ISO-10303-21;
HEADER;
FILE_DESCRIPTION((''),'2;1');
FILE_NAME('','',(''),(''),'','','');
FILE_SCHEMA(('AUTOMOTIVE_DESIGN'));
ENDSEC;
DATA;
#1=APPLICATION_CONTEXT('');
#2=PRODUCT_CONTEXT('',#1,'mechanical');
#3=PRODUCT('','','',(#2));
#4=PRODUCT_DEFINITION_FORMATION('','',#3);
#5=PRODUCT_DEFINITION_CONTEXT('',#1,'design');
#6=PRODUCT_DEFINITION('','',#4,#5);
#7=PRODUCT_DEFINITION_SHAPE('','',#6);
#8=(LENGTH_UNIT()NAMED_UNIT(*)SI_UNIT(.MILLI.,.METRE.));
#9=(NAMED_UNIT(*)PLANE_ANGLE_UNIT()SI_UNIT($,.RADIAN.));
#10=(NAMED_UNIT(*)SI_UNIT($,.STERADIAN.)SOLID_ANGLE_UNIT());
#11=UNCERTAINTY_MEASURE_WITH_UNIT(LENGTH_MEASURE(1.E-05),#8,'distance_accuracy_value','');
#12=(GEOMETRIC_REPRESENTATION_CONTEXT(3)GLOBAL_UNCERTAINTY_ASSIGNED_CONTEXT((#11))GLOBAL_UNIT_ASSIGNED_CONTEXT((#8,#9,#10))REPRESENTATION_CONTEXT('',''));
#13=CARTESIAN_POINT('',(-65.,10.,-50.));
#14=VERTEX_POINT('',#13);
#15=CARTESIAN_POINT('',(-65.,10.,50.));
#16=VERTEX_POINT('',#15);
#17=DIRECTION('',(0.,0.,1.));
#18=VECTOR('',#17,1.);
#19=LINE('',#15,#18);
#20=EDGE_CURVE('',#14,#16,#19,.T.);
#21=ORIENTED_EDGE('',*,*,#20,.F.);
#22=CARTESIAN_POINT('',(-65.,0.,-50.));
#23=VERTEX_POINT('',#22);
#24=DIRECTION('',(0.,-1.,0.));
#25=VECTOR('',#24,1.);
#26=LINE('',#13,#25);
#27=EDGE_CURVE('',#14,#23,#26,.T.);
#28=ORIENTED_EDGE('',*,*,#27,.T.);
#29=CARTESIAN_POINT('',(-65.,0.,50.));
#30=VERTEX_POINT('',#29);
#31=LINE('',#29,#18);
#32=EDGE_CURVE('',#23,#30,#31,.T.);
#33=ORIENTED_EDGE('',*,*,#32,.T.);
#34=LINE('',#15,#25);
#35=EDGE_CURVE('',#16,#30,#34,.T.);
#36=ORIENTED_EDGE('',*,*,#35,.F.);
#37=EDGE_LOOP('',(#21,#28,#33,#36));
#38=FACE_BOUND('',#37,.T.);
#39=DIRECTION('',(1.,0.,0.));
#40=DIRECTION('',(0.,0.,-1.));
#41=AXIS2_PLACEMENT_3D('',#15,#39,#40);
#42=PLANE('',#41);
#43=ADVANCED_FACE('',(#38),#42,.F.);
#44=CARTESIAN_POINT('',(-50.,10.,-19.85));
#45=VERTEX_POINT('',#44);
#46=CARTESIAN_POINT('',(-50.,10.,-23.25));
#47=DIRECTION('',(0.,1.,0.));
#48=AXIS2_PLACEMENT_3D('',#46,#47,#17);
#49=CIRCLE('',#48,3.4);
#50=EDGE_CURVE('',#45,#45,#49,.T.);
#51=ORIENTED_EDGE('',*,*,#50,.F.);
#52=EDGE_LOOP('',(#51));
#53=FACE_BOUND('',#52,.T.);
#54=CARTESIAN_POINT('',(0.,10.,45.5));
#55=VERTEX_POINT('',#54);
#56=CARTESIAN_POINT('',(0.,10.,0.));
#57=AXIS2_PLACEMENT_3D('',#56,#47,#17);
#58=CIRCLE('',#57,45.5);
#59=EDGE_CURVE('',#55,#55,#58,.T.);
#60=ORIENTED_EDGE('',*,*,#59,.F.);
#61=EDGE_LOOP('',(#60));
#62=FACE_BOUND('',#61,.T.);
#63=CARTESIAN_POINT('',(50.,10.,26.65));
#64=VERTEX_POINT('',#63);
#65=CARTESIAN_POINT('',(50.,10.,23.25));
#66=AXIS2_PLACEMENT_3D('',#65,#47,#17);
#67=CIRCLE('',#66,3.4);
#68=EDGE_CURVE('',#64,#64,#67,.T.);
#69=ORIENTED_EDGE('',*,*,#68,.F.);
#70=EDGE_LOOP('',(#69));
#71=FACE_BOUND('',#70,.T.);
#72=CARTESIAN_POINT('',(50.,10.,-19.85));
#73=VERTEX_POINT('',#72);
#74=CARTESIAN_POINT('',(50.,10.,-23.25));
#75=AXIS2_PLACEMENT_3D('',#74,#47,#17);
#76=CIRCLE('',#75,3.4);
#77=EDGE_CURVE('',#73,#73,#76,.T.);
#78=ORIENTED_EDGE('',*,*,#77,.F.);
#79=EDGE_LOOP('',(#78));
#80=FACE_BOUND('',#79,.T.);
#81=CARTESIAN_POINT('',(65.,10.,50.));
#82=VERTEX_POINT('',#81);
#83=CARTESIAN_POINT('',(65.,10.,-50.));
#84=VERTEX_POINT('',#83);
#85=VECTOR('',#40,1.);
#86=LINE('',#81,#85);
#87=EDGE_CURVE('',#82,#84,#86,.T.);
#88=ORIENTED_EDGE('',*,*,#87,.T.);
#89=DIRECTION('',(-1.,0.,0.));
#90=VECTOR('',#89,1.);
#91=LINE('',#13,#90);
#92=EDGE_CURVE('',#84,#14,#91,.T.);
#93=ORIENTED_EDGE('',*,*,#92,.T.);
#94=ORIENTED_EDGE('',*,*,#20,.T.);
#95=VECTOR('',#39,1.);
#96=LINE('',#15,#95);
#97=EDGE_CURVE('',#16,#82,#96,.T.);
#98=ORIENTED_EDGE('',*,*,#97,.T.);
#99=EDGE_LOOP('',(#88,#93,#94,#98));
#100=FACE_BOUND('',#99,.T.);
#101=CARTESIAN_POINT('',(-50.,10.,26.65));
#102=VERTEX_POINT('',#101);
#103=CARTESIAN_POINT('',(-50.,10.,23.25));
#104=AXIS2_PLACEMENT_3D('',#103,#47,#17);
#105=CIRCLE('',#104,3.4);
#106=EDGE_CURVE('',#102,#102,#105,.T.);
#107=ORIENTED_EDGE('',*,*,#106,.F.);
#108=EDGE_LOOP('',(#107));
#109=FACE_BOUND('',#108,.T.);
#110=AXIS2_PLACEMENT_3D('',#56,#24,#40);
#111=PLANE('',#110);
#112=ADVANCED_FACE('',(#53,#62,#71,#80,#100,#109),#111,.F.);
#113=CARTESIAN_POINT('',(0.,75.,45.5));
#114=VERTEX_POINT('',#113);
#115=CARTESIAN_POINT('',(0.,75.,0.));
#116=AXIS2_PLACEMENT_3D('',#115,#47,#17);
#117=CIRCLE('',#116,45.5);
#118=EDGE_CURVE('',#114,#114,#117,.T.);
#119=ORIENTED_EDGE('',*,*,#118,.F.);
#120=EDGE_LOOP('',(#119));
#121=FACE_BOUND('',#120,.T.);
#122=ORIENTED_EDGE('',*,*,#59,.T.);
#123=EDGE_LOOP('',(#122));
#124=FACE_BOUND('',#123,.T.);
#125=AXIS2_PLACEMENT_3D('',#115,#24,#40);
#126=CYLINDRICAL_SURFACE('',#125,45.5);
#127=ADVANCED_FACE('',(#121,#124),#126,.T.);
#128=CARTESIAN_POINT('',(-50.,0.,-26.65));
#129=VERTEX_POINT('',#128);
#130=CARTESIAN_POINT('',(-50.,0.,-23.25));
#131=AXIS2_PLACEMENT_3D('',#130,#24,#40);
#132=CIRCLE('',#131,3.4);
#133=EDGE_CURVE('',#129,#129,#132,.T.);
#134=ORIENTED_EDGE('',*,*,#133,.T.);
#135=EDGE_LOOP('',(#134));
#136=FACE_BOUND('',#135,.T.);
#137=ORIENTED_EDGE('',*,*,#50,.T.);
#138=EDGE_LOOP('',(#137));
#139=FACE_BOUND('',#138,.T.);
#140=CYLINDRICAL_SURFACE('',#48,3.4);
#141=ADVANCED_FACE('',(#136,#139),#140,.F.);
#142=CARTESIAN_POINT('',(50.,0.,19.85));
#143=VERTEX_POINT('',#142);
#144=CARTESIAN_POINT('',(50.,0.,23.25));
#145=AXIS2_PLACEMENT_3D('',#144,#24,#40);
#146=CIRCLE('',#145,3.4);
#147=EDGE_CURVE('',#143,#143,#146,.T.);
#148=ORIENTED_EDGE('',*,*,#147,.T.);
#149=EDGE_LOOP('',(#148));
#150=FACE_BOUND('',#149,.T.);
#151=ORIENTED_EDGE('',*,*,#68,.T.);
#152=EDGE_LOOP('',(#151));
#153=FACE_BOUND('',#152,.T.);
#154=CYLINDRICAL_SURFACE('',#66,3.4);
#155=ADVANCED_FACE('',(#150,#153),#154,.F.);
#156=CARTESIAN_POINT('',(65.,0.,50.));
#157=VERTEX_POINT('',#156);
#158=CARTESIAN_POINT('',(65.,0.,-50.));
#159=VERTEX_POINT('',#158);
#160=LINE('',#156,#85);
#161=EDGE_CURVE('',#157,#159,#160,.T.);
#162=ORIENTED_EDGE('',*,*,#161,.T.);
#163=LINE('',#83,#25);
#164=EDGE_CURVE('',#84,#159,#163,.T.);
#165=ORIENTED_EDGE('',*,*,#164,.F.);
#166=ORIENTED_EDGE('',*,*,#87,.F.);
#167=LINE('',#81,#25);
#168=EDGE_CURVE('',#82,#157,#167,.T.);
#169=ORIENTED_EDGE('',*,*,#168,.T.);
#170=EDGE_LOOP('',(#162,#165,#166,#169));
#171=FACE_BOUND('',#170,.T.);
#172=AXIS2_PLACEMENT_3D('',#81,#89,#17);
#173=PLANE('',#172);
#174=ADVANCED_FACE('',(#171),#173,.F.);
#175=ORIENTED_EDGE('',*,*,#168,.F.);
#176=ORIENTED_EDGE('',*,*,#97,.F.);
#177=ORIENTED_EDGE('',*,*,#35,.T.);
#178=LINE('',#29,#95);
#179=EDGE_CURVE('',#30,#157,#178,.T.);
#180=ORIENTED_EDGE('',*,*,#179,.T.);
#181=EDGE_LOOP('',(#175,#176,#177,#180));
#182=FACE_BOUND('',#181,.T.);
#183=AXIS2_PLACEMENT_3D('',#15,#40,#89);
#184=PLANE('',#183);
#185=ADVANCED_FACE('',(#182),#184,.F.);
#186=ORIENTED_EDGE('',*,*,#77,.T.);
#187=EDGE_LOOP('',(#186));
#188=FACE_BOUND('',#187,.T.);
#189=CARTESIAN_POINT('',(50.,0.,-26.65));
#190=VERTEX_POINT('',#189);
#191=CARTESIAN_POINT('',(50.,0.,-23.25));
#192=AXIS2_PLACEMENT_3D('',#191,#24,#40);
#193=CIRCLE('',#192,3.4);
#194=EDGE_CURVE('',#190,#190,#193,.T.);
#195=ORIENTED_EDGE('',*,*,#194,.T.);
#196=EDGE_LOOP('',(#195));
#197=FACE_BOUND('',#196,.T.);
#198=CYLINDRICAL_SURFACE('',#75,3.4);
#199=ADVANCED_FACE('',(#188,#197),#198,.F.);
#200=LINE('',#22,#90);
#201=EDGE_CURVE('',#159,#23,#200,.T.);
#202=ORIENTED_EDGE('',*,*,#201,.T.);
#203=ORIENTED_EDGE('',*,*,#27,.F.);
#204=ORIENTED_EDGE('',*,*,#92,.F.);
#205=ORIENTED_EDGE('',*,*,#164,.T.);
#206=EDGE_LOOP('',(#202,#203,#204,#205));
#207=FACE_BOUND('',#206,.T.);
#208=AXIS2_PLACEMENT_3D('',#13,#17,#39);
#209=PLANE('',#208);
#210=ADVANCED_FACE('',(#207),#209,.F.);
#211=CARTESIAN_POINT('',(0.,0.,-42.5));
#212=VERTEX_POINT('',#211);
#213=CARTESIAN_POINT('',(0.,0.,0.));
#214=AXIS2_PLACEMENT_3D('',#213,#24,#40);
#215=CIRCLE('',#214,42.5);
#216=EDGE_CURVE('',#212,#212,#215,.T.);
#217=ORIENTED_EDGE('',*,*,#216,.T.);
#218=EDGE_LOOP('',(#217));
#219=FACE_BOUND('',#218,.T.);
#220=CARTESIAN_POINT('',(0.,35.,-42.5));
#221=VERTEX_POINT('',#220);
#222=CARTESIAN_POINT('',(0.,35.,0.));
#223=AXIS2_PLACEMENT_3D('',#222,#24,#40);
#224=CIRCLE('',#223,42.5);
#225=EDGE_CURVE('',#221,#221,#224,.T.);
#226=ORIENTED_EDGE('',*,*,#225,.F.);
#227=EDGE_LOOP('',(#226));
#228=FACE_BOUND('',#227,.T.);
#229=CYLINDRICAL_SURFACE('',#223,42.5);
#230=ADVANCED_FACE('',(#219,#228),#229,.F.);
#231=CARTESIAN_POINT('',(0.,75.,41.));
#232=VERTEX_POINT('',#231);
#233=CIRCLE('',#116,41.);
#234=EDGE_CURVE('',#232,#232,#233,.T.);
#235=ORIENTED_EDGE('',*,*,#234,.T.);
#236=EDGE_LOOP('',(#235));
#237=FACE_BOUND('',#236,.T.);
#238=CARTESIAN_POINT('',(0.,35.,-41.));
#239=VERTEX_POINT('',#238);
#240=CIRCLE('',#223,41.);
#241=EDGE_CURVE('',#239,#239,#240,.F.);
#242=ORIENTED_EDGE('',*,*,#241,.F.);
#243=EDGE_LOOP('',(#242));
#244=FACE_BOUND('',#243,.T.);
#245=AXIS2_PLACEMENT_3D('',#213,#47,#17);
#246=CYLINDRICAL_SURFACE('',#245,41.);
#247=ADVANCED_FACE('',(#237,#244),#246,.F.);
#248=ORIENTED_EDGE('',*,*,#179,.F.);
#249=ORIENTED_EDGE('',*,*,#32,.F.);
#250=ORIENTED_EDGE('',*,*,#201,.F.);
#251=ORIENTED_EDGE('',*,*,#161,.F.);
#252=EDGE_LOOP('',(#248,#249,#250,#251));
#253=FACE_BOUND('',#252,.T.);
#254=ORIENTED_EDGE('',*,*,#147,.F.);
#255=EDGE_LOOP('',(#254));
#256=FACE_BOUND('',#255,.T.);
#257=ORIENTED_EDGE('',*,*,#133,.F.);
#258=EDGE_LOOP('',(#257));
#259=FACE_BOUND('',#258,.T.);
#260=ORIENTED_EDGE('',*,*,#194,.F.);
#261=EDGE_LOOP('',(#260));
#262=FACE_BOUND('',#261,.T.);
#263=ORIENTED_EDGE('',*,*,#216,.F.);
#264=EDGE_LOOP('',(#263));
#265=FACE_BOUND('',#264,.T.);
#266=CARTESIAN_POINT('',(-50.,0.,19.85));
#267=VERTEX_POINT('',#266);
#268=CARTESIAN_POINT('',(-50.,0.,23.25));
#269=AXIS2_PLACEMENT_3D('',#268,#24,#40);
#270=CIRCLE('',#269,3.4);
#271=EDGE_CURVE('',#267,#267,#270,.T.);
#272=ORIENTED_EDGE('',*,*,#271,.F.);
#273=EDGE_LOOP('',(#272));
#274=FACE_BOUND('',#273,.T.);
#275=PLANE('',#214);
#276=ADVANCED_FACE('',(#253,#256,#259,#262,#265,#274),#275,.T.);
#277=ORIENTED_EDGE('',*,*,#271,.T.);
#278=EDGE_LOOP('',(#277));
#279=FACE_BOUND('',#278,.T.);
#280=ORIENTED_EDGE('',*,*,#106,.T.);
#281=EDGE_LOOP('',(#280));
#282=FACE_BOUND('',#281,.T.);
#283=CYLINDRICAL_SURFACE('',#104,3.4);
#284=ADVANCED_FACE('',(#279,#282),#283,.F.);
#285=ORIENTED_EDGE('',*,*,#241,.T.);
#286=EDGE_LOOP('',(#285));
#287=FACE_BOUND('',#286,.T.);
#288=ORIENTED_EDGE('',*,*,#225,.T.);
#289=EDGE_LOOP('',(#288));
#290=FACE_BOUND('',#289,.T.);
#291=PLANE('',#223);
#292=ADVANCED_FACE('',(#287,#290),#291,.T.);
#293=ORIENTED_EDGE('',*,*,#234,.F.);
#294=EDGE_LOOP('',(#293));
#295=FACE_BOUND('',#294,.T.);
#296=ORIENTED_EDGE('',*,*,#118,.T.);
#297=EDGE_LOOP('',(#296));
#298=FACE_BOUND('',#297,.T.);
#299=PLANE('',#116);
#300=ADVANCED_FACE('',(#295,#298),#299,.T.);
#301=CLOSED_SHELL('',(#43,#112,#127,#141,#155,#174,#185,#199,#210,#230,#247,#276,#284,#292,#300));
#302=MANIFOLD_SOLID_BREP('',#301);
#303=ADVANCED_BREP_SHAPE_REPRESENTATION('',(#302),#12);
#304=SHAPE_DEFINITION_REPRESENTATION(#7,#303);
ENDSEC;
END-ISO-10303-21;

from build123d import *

# Parameters (mm, degrees)
SKETCH1_W             = 130
SKETCH1_H             = 100
BOSS_EXTRUDE1_DEPTH   = 10
SKETCH2_R             = 45.5
BOSS_EXTRUDE2_DEPTH   = 65
SKETCH3_R             = 41
CUT_EXTRUDE1_DEPTH    = 76
SKETCH4_R             = 42.5
CUT_EXTRUDE2_DEPTH    = 35
M8_TAPPED_HOLE1_D     = 6.8
M8_TAPPED_HOLE1_DEPTH = 17.707073895
M8_TAPPED_HOLE1_TIP   = 2.042926105


with BuildPart() as part:
    # Sketch1 → Boss-Extrude1 (new body)
    with BuildSketch(Plane(origin=(0, 0, 0), x_dir=(1, 0, 0), z_dir=(0, 1, 0))):
        Rectangle(SKETCH1_W, SKETCH1_H)
    extrude(amount=BOSS_EXTRUDE1_DEPTH)

    # Sketch2 → Boss-Extrude2 (add)
    with BuildSketch(Plane(origin=(0, 10, 0), x_dir=(1, 0, 0), z_dir=(0, 1, 0))):
        Circle(SKETCH2_R)
    extrude(amount=BOSS_EXTRUDE2_DEPTH)

    # Sketch3 → Cut-Extrude1 (cut, through all)
    with BuildSketch(Plane(origin=(0, 75, 0), x_dir=(1, 0, 0), z_dir=(0, 1, 0))):
        Circle(SKETCH3_R)
    extrude(amount=-CUT_EXTRUDE1_DEPTH, mode=Mode.SUBTRACT)

    # Sketch4 → Cut-Extrude2 (cut)
    with BuildSketch(Plane.XZ):
        Circle(SKETCH4_R)
    extrude(amount=-CUT_EXTRUDE2_DEPTH, mode=Mode.SUBTRACT)

    # M8 Tapped Hole1
    with Locations(Plane(origin=(0, 10, 0), x_dir=(1, 0, 0), z_dir=(0, 1, 0))):
        with Locations((-50, 23.25), (-50, -23.25), (50, -23.25), (50, 23.25)):
            Hole(M8_TAPPED_HOLE1_D / 2, depth=M8_TAPPED_HOLE1_DEPTH)
            with Locations((0, 0, -(M8_TAPPED_HOLE1_DEPTH + M8_TAPPED_HOLE1_TIP / 2))):  # 118° drill point
                Cone(0, M8_TAPPED_HOLE1_D / 2, M8_TAPPED_HOLE1_TIP, mode=Mode.SUBTRACT)


solid = part.part
